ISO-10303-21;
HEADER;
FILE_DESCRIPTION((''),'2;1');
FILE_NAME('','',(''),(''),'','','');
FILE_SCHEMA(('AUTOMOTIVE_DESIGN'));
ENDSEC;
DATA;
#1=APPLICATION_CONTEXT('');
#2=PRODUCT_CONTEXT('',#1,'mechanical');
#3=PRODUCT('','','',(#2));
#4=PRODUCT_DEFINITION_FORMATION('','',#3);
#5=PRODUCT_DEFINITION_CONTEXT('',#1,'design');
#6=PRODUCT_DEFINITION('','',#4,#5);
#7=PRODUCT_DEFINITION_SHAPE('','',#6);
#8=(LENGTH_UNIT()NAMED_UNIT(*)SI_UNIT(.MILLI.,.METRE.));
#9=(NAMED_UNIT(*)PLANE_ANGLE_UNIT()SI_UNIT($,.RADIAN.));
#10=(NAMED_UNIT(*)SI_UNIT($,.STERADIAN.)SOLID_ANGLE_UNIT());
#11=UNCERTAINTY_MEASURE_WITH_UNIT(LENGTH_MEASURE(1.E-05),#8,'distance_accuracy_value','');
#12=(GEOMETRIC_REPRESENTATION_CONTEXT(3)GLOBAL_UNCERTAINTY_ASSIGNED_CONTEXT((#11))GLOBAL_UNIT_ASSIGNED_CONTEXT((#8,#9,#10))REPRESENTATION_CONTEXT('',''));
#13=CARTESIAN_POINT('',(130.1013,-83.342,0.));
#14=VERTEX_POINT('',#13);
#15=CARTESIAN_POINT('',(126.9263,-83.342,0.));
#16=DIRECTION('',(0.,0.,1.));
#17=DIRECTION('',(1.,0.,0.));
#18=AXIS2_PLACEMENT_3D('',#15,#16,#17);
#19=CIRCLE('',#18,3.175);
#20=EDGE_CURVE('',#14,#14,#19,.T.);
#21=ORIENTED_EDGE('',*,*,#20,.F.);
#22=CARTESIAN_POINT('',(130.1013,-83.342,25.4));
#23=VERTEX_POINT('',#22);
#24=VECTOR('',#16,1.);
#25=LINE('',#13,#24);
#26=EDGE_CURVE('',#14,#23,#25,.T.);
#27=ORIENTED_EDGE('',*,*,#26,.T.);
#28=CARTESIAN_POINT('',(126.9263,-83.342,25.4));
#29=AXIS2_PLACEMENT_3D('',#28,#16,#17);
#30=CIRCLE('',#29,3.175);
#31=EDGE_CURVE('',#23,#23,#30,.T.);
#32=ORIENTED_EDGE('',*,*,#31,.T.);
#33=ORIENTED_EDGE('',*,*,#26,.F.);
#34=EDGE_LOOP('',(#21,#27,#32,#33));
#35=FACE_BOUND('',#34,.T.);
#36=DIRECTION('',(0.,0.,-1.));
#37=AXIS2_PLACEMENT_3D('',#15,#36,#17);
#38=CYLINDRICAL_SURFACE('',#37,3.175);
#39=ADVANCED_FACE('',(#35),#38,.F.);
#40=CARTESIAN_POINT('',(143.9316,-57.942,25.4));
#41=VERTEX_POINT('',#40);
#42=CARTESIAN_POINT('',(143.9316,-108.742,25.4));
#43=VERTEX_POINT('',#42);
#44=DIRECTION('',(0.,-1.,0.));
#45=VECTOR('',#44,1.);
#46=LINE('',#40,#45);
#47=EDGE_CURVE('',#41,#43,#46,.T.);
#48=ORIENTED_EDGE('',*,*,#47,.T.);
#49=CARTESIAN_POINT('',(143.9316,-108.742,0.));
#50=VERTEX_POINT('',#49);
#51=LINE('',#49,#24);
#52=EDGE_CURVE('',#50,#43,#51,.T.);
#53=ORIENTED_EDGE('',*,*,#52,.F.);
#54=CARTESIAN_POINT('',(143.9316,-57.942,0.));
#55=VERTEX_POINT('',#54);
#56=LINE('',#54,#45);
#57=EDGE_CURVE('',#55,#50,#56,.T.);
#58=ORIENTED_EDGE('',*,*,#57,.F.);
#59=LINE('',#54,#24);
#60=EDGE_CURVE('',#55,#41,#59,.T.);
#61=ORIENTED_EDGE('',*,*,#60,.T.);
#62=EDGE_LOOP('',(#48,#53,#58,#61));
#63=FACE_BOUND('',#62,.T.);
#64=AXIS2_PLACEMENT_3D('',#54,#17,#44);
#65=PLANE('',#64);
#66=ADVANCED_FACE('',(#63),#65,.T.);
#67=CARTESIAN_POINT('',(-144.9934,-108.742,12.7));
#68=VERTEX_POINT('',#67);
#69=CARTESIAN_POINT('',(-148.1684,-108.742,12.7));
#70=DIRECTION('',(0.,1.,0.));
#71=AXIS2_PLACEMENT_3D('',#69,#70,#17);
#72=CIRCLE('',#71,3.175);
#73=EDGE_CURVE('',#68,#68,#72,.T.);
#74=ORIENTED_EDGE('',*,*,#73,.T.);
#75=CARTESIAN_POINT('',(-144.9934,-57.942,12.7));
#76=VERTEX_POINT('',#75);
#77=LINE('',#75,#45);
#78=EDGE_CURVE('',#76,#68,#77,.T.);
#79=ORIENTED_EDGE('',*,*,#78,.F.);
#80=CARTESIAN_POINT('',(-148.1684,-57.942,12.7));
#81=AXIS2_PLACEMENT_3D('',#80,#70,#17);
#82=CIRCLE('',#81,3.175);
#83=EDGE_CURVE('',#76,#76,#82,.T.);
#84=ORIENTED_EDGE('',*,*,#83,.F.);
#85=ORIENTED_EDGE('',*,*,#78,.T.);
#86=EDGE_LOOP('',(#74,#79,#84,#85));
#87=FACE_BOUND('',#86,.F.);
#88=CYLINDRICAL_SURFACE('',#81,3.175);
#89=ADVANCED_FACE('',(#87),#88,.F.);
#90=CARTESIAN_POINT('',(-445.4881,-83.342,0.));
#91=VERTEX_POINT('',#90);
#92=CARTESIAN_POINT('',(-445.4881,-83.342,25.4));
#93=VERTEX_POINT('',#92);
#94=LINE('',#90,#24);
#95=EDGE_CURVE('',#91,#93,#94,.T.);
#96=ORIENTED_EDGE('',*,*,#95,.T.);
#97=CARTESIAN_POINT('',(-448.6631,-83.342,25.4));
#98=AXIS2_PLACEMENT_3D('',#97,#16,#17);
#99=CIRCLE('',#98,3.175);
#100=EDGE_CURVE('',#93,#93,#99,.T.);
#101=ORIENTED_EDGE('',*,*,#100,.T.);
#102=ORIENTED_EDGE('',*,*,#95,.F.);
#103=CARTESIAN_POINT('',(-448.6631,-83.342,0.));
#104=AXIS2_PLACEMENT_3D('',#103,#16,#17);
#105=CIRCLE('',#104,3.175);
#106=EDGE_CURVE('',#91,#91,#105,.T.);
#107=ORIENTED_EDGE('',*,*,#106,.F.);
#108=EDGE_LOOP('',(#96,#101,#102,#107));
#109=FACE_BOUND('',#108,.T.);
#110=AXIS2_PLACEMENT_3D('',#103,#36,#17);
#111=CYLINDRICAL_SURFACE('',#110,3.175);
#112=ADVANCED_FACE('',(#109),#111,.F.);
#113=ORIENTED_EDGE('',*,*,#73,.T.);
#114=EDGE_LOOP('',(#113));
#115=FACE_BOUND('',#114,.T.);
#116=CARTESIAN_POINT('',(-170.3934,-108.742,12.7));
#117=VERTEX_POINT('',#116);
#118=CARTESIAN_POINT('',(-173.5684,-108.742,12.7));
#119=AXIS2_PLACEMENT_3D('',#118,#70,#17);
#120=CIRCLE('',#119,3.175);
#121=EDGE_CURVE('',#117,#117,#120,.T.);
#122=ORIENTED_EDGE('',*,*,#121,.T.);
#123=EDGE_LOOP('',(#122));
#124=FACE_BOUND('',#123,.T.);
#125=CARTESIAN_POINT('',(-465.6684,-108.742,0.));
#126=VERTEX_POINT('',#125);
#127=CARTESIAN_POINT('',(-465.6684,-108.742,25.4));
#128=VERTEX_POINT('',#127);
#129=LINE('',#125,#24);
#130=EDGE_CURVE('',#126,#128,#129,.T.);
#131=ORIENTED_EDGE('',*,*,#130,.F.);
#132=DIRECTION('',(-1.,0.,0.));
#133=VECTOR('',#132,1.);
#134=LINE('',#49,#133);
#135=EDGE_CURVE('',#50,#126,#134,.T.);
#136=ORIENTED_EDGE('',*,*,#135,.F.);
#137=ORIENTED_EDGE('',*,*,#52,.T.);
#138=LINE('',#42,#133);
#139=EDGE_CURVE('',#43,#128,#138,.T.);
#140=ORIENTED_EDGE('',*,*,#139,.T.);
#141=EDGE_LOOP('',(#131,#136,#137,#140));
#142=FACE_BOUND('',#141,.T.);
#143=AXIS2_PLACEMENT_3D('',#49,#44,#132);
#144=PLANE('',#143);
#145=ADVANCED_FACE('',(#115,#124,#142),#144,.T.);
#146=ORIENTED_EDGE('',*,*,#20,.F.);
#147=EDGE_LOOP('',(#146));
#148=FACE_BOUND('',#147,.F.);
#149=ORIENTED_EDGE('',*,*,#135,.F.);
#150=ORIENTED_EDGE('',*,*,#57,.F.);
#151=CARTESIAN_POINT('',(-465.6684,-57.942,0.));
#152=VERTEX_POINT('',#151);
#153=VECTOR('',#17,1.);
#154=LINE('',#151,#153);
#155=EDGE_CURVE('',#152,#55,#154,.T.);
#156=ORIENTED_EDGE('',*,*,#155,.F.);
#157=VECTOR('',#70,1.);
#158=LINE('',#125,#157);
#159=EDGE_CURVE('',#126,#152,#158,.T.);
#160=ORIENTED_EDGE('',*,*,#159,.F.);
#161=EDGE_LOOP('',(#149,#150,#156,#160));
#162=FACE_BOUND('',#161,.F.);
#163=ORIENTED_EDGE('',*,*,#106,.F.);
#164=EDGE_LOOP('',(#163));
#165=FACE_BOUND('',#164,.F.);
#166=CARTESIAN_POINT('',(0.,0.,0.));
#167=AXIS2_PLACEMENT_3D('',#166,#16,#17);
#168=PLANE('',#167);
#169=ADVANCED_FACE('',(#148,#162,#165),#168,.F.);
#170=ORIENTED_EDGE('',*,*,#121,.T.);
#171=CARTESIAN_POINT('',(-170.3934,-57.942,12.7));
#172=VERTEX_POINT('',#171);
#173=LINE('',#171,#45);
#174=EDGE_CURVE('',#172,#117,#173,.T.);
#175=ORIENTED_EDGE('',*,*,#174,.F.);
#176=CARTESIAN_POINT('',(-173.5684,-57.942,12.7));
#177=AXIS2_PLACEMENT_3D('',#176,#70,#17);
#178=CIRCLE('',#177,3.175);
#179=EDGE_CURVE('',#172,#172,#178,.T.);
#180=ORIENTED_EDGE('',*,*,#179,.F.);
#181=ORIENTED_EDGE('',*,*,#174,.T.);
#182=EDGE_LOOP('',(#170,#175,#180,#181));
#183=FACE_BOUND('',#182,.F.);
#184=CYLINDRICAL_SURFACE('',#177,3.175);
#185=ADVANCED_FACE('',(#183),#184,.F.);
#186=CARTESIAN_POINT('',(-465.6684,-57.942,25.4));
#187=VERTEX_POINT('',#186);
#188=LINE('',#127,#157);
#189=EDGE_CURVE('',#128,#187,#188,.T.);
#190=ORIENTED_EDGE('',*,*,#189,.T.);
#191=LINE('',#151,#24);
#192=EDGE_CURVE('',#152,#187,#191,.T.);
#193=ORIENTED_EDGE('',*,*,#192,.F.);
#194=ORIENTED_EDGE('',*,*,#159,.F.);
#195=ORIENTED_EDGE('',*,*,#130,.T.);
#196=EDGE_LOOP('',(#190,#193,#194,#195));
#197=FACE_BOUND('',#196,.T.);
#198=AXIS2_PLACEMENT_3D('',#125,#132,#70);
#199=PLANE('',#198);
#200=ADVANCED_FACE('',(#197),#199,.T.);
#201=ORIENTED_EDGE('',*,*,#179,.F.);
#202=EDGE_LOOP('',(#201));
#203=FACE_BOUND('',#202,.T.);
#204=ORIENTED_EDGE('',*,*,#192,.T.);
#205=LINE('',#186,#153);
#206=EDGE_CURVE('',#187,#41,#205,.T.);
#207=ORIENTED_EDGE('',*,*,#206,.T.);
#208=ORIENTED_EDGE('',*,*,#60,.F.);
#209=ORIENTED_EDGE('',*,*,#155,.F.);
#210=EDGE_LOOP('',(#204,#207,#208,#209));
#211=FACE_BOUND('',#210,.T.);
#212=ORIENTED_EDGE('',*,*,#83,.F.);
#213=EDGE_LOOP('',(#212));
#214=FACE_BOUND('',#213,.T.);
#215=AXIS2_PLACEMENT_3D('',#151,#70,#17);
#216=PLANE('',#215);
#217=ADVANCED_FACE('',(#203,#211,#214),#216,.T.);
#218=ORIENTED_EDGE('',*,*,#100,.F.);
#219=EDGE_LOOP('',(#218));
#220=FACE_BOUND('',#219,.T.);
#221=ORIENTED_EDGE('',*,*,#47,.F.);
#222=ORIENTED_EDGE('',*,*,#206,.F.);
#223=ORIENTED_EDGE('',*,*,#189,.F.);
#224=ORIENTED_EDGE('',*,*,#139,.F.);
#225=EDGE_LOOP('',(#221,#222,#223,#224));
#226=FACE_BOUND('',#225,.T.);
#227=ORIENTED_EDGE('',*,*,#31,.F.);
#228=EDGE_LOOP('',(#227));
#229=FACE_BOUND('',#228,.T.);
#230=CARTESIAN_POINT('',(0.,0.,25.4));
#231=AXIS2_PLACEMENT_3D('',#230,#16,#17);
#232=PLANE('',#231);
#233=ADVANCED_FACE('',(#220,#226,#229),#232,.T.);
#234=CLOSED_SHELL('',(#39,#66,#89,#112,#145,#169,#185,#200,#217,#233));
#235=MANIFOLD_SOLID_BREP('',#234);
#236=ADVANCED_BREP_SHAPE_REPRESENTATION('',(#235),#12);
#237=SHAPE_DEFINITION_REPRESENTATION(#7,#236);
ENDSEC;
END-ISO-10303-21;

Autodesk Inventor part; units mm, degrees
ref_plane "YZ Plane" through (0, 0, 0) normal (1, 0, 0) x (0, 1, 0)
ref_plane "XZ Plane" through (0, 0, 0) normal (0, 1, 0) x (-1, 0, 0)
ref_plane "XY Plane" through (0, 0, 0) normal (0, 0, 1) x (1, 0, 0)
sketch "Sketch1" plane through (0, 0, 0) normal (0, 0, 1) x (1, 0, 0)
  line L0 (-465.6684, -57.942) -> (143.9316, -57.942)
  line L1 (143.9316, -57.942) -> (143.9316, -108.742)
  line L2 (143.9316, -108.742) -> (-465.6684, -108.742)
  line L3 (-465.6684, -108.742) -> (-465.6684, -57.942)
  line L4 (-465.6684, -83.342) -> (143.9316, -83.342) construction
  circle A0 centre (-448.6631, -83.342) radius 3.175
  circle A1 centre (126.9263, -83.342) radius 3.175
  line L5 (-160.8684, -57.942) -> (-160.8684, -108.742) construction
  point P0 (0, 0)
  dimension "d0" = 575.5894
  dimension "d1" = 287.7947
  dimension "d2" = 609.6
  dimension "d3" = 6.35
  dimension "d4" = 50.8
extrude "Extrusion1" add sketch "Sketch1" along normal blind 25.4
sketch "Sketch2" plane through (-465.6684, -57.942, 0) normal (0, 1, 0) x (1, 0, 0)
  line L0 (0, 0) -> (0, -25.4) construction
  line L1 (0, -12.7) -> (609.6, -12.7) construction
  line L2 (609.6, 0) -> (609.6, -25.4) construction
  line L3 (0, -25.4) -> (609.6, -25.4) construction
  line L4 (304.8, -25.4) -> (304.8, 0) construction
  line L5 (0, 0) -> (609.6, 0) construction
  circle A0 centre (292.1, -12.7) radius 3.175
  circle A1 centre (317.5, -12.7) radius 3.175
  point P0 (465.6684, 0)
  dimension "d7" = 6.35
  dimension "d8" = 12.7
  dimension "d9" = 12.7
extrude "Extrusion2" cut sketch "Sketch2" against normal through all
equation "\"d1\" = 0.5 * d0"
equation "\"d9\" = d8"
properties part number "chair-beam"
